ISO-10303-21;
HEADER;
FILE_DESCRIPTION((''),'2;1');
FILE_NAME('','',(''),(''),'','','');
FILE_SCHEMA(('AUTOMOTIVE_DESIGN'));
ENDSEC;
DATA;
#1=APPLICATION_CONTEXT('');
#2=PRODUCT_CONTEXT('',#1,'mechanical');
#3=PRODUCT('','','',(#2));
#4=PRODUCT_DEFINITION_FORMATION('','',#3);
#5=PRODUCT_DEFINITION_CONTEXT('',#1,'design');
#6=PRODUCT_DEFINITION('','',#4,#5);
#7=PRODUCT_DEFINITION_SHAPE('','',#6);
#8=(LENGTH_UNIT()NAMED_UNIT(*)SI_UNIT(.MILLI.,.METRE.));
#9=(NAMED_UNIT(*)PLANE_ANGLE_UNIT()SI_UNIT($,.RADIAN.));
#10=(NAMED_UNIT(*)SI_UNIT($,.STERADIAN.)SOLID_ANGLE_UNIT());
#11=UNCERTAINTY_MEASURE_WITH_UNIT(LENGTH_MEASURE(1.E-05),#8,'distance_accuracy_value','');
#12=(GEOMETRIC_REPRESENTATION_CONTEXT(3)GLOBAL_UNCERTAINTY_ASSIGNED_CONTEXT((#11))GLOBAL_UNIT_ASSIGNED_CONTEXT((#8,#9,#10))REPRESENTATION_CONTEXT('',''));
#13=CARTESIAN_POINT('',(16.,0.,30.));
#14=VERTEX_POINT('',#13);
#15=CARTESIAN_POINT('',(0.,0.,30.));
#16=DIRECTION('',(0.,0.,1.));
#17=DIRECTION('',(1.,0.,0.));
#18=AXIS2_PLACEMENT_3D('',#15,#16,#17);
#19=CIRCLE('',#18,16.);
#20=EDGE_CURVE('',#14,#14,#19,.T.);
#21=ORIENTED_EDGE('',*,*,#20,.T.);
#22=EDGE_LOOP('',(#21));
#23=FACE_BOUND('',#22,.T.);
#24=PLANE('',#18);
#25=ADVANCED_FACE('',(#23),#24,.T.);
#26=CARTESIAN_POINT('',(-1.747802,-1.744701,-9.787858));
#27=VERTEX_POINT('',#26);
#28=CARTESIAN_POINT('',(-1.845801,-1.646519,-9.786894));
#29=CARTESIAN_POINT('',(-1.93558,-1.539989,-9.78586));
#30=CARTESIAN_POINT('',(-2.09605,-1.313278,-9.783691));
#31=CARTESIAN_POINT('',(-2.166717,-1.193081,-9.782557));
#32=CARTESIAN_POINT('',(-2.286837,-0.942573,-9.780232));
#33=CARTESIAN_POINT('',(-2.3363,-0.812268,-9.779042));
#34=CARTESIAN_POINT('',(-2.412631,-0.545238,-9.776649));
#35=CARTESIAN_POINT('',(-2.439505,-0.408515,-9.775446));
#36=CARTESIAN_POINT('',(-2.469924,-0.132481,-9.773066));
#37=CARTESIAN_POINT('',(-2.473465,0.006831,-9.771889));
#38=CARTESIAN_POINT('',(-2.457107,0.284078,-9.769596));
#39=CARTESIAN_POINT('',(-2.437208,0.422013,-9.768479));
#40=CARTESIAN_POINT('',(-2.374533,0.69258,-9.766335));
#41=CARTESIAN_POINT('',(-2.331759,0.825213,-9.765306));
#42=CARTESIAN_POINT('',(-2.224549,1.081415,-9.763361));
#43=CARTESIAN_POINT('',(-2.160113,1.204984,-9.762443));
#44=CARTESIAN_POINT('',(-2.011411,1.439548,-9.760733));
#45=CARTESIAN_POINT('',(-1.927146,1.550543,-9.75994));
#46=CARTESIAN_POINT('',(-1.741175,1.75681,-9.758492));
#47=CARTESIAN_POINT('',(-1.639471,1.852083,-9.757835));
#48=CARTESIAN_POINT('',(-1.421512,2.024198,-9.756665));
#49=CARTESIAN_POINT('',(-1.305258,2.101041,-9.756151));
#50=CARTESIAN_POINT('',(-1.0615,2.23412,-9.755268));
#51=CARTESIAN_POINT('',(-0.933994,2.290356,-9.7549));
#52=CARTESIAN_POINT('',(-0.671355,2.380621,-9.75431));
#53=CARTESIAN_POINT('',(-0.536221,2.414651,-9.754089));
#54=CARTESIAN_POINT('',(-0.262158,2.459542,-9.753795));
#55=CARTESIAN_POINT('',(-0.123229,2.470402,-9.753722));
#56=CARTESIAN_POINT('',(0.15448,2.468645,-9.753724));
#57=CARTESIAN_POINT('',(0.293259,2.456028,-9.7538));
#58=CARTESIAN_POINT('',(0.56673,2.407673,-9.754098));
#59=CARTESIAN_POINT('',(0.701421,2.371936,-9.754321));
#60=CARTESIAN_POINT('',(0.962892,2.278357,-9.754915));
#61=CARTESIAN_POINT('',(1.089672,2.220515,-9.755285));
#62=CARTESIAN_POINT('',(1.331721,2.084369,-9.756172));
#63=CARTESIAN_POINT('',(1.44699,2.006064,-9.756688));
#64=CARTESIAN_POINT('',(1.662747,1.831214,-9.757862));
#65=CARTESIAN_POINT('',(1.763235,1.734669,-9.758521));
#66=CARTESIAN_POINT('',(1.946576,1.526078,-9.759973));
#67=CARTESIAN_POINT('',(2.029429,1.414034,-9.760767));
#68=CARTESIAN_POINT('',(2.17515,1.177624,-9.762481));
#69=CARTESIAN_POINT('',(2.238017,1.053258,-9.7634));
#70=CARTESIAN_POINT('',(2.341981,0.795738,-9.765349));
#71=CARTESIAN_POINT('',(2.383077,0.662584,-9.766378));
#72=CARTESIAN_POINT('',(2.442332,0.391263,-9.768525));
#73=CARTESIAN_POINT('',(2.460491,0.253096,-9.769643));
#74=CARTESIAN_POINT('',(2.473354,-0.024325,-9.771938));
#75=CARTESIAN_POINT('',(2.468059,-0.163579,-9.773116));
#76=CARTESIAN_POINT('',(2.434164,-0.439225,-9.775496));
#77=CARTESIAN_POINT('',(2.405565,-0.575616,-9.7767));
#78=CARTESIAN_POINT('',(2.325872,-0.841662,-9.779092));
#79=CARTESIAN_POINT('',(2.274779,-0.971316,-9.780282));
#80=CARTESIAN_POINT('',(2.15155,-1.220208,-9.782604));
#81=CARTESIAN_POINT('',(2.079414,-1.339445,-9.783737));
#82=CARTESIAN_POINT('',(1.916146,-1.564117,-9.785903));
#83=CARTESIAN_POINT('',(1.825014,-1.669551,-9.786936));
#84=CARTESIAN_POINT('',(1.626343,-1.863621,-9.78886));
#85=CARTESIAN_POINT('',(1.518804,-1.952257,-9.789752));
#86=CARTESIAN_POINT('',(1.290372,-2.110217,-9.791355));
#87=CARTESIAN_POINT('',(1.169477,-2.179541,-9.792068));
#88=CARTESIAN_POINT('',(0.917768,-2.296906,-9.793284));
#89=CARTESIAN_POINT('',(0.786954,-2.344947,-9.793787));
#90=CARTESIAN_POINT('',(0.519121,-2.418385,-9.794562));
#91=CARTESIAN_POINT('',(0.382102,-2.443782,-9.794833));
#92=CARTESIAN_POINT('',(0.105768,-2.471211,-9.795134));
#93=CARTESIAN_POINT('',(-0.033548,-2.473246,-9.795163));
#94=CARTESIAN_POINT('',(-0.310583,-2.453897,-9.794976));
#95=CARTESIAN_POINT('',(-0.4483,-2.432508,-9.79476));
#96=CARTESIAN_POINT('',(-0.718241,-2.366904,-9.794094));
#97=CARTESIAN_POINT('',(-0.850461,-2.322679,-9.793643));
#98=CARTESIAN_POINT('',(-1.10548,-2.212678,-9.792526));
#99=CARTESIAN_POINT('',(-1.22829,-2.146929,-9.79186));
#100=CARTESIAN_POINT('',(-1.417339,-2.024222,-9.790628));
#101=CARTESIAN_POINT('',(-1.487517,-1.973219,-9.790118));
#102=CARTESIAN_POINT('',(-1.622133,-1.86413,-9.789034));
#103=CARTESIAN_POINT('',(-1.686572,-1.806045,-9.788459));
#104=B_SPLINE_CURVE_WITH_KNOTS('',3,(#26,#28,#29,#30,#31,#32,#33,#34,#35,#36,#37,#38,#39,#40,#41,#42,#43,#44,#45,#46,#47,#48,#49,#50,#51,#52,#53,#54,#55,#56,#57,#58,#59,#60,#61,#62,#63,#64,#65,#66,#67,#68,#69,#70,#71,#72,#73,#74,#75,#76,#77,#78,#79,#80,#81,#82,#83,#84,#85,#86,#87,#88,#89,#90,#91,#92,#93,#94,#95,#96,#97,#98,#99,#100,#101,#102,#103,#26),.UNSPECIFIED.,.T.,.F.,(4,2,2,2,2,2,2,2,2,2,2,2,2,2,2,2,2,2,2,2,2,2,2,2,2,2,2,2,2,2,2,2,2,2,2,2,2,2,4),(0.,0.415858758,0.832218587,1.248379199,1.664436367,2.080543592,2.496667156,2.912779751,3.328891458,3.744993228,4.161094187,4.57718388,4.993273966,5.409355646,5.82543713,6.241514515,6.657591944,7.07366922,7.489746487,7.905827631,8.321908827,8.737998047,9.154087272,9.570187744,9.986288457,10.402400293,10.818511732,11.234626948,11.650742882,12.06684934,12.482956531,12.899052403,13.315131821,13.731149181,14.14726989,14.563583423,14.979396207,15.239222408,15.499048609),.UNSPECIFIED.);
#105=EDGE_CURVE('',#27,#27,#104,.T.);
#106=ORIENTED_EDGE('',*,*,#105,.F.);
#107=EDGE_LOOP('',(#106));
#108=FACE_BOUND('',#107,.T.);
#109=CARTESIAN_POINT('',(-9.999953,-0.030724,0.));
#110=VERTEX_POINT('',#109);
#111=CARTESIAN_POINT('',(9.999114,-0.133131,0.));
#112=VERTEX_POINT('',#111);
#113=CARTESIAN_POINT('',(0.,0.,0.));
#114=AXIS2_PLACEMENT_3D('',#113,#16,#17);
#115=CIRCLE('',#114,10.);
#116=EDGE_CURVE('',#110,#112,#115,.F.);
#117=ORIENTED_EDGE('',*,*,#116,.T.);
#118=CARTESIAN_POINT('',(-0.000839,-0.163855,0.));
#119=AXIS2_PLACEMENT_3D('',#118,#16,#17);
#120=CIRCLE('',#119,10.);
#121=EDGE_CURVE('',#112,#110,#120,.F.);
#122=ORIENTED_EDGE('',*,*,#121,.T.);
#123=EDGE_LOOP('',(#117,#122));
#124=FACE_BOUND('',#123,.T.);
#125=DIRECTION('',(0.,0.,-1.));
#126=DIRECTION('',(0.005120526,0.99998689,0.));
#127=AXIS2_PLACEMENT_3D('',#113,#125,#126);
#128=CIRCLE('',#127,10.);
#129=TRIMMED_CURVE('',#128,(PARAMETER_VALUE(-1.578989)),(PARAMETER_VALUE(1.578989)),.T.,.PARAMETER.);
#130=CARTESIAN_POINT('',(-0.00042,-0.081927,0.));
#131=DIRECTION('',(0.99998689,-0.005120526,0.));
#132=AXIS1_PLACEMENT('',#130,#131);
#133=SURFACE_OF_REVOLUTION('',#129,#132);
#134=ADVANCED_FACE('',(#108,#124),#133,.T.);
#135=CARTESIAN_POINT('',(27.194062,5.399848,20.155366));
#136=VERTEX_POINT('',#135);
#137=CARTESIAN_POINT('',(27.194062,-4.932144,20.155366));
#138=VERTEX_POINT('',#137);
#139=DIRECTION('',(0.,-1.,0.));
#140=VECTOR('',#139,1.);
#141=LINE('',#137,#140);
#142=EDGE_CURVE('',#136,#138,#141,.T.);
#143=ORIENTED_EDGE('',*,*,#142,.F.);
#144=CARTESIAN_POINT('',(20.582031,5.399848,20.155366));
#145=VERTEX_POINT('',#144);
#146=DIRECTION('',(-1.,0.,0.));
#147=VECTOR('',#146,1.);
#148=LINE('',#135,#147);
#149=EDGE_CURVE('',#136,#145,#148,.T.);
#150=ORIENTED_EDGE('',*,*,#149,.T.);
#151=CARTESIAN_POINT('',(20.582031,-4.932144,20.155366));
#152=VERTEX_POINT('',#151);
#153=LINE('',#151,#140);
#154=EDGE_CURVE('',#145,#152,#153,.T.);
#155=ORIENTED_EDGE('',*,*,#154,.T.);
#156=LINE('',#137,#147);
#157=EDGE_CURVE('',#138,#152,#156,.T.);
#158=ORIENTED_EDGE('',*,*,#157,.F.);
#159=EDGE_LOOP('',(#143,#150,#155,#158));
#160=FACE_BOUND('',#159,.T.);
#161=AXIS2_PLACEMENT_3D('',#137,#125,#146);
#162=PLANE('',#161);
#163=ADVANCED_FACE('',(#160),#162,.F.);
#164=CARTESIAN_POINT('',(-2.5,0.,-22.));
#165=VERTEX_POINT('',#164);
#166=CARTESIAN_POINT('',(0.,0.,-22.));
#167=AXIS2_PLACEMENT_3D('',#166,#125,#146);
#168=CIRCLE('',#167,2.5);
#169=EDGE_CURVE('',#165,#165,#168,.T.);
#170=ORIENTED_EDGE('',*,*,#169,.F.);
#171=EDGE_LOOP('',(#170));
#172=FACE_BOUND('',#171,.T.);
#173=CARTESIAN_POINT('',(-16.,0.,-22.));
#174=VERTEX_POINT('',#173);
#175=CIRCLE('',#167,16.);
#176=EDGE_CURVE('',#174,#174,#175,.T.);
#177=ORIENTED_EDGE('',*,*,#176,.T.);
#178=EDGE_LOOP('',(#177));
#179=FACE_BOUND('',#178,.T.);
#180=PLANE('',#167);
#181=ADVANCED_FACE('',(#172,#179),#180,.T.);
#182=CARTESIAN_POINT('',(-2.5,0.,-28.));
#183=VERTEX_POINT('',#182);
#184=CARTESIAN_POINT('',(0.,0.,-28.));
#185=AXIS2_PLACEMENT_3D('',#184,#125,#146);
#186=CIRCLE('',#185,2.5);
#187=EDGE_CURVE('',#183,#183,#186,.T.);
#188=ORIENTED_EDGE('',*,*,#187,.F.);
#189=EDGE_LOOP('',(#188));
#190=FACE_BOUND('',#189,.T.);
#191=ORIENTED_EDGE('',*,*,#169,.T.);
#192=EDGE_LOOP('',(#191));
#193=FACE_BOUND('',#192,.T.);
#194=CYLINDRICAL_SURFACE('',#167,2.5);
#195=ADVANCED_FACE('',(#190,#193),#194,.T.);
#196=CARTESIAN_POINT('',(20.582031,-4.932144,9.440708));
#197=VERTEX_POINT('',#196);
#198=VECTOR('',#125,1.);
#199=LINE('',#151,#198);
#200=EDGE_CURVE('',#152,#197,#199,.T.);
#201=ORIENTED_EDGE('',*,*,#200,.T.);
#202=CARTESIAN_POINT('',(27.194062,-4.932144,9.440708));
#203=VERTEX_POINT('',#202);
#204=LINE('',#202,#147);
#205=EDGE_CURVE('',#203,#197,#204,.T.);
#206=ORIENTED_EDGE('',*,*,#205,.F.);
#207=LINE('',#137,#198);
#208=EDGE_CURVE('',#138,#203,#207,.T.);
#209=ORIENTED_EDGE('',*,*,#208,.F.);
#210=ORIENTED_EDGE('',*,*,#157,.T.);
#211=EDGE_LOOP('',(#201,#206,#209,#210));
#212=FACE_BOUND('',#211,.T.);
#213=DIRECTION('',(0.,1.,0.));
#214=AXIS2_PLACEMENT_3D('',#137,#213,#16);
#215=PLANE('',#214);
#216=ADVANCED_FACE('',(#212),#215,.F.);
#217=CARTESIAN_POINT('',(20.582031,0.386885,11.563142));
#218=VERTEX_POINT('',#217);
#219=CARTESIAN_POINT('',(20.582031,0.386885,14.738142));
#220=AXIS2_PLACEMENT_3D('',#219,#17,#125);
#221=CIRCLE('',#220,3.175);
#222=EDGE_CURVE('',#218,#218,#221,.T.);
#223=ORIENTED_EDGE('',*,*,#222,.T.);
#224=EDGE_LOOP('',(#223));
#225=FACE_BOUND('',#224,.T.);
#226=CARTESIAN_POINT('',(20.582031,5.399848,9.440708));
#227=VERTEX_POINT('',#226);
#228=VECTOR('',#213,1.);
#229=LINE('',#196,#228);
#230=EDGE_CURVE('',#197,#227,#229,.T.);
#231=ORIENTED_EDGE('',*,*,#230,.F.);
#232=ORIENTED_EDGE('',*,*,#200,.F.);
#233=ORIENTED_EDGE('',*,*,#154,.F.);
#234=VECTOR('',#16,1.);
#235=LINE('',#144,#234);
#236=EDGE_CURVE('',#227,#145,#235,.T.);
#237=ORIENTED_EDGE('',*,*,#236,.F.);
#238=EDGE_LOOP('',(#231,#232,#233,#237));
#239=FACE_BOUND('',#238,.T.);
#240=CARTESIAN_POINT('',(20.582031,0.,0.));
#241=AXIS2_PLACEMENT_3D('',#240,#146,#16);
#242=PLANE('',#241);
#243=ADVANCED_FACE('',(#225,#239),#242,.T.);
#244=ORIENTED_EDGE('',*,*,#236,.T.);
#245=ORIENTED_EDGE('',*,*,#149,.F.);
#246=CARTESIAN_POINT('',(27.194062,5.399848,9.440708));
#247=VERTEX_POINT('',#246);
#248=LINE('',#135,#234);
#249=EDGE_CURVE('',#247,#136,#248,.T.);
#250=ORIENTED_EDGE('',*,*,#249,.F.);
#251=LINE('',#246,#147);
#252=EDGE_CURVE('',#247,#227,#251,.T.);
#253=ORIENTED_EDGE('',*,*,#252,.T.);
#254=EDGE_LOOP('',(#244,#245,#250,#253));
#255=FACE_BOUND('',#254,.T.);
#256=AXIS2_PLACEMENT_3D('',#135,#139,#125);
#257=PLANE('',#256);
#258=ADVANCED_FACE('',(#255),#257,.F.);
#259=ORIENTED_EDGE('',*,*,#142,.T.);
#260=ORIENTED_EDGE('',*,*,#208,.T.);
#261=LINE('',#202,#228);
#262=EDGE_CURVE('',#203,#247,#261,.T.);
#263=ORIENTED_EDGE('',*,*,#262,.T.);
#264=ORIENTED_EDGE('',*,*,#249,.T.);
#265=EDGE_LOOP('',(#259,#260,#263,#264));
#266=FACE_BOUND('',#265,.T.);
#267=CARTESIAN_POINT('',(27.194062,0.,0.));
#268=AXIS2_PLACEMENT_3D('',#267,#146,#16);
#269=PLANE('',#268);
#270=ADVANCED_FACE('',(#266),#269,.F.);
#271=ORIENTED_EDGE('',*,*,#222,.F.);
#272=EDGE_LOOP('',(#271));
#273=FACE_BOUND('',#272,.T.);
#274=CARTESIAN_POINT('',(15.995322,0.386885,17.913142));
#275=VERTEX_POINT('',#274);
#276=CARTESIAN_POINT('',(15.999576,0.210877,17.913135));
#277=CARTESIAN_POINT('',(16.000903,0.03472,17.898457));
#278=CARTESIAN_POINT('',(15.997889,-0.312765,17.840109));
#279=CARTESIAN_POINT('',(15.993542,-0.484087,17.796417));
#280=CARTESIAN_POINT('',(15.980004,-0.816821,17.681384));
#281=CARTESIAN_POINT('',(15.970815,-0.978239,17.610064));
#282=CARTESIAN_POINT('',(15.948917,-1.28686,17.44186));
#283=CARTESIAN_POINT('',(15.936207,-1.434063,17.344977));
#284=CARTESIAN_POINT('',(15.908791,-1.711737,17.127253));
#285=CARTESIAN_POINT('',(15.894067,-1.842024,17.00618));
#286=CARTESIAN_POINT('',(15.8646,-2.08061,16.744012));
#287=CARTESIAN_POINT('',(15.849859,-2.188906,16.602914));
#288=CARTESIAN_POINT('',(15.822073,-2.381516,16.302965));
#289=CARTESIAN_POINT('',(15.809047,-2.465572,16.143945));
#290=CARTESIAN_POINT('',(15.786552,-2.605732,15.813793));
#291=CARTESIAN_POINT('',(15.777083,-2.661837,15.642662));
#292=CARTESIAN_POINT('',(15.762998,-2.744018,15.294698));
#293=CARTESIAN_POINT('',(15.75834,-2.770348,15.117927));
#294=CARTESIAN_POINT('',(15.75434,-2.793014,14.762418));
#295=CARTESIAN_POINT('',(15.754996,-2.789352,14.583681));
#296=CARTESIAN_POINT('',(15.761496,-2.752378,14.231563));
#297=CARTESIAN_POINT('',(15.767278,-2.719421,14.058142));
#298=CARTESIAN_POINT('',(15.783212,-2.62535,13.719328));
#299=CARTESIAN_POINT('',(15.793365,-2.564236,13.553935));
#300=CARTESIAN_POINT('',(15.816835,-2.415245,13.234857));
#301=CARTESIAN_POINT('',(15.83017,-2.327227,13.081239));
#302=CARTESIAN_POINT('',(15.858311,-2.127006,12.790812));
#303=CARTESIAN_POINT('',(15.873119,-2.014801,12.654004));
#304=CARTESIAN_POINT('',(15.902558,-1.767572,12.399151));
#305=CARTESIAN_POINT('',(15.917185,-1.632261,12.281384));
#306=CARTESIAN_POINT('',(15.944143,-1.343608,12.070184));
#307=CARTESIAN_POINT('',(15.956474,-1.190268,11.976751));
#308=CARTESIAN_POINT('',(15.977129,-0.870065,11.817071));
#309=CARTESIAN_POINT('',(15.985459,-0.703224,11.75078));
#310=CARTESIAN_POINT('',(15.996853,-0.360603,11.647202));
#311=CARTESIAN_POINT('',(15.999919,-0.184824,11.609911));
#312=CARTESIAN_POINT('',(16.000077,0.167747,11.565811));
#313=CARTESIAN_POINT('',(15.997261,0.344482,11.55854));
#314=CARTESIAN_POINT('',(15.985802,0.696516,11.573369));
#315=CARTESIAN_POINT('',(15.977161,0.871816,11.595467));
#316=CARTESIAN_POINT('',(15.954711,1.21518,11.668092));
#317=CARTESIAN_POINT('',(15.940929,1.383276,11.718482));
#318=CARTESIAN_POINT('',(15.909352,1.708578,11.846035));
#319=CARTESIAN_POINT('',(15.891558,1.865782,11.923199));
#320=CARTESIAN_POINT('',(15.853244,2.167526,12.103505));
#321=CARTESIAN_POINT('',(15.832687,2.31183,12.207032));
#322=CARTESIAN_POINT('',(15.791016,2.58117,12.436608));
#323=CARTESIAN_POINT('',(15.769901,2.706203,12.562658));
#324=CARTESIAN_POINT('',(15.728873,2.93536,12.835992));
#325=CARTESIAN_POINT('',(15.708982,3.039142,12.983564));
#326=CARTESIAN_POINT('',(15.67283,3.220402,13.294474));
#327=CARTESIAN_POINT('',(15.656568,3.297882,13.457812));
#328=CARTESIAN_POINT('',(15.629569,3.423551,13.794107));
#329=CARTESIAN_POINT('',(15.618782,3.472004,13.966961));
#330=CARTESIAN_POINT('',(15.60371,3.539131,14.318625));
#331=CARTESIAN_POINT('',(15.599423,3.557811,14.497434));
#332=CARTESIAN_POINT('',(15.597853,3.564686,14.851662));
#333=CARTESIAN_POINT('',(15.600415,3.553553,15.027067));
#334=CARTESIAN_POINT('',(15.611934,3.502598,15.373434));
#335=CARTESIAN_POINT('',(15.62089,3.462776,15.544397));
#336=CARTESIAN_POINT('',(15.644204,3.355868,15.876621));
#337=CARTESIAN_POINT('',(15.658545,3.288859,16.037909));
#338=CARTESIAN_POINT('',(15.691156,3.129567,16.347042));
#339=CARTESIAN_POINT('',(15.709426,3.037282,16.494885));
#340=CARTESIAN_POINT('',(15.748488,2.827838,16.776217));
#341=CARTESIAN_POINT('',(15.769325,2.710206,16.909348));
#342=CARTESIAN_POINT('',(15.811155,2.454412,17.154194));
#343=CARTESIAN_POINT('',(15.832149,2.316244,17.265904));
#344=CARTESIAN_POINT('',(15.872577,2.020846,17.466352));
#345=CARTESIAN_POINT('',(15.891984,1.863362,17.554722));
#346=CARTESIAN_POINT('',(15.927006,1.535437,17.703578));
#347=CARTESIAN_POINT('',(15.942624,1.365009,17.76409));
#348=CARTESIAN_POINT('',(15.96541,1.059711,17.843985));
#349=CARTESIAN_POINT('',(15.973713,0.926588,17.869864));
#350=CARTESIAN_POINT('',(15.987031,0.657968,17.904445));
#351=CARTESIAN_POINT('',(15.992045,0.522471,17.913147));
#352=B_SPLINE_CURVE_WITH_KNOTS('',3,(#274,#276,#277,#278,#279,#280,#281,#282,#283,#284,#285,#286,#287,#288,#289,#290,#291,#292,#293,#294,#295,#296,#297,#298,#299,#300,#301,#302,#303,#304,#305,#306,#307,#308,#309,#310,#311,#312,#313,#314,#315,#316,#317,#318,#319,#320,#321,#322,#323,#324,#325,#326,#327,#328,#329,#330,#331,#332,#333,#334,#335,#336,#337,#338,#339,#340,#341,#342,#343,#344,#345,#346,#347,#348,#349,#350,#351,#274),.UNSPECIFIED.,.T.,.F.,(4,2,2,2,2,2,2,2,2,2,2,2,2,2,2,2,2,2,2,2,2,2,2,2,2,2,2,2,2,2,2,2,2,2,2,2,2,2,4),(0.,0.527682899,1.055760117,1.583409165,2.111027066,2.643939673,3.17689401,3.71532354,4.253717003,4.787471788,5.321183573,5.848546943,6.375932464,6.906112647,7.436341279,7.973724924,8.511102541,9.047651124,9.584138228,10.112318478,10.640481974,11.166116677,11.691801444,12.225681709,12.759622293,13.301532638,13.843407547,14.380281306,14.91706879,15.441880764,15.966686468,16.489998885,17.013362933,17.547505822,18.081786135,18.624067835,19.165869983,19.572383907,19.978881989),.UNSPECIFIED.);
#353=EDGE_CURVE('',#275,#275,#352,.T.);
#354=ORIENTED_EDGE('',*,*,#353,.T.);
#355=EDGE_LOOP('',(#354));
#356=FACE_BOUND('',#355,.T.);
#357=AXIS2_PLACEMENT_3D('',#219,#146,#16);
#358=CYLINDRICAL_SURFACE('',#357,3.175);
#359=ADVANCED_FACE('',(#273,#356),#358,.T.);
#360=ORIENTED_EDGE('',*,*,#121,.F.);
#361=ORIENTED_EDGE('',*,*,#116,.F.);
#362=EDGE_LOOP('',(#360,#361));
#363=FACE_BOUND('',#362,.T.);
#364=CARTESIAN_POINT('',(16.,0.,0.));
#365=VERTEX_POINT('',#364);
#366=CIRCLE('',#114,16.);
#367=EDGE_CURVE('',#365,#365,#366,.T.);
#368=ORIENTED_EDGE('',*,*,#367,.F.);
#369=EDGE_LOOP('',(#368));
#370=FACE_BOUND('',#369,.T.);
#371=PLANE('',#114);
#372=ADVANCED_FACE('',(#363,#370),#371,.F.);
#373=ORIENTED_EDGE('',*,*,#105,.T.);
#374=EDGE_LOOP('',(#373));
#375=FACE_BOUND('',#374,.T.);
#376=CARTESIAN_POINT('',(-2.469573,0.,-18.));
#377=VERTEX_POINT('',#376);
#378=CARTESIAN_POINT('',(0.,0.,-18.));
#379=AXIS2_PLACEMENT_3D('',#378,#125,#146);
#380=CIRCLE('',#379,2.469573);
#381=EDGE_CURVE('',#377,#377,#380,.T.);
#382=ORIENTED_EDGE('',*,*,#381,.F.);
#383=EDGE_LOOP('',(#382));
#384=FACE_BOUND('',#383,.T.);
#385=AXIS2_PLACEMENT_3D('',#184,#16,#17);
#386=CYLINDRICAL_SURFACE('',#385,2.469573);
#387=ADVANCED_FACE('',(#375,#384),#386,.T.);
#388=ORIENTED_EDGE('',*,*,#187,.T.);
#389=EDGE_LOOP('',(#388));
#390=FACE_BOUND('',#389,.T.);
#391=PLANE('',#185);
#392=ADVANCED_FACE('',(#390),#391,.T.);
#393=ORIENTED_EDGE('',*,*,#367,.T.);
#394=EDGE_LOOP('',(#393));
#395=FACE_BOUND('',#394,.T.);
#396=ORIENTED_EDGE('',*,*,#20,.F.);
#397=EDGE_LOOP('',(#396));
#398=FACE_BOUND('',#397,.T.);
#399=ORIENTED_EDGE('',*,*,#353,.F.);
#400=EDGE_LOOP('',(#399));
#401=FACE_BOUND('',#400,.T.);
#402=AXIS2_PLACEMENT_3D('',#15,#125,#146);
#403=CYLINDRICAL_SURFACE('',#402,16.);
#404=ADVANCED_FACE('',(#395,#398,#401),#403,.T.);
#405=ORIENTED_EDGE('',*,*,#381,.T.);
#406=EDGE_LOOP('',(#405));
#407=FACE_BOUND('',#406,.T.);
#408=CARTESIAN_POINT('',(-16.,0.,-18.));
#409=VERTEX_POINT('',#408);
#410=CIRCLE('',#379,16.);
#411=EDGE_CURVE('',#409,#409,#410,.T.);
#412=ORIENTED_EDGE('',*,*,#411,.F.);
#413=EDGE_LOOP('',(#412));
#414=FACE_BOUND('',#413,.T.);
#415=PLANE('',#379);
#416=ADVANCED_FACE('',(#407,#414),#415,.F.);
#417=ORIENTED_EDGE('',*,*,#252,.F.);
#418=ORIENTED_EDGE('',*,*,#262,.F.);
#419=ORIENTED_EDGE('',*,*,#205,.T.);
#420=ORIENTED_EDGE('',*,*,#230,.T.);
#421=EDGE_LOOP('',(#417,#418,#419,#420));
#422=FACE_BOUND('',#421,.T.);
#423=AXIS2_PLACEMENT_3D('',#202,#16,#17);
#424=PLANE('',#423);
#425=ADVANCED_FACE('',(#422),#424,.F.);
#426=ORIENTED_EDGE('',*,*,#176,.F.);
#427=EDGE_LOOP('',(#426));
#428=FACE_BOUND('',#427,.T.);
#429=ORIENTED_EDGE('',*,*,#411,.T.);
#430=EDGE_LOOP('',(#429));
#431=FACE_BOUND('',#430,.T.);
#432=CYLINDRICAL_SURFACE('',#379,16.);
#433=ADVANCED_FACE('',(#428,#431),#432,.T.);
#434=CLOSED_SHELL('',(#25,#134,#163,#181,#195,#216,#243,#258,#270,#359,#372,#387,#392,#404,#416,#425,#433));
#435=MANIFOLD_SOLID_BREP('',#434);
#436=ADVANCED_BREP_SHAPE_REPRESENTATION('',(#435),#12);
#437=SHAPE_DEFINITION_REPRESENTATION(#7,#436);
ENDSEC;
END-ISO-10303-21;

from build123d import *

# Parameters (mm, degrees)
SKETCH1_R               = 16
BOSS_EXTRUDE1_DEPTH     = 30
SKETCH2_R               = 3.175
BOSS_EXTRUDE2_DEPTH     = 20.582030842
SKETCH3_W               = 10.714658548
SKETCH3_H               = 10.331992171
BOSS_EXTRUDE3_DEPTH     = 6.612030842
SKETCH5_R               = 2.469573247
BOSS_EXTRUDE4_DEPTH     = 28
SKETCH6_R               = 16
BOSS_EXTRUDE5_DEPTH     = 10
SKETCH6_2_R             = 16
SKETCH6_2_R_2           = 2.5
CUT_EXTRUDE_THIN1_DEPTH = 6


with BuildPart() as part:
    # Sketch1 → Boss-Extrude1 (new body)
    with BuildSketch(Plane.XY):
        Circle(SKETCH1_R)
    extrude(amount=BOSS_EXTRUDE1_DEPTH)

    # Sketch2 → Boss-Extrude2 (add)
    with BuildSketch(Plane(origin=(0, 0, 0), x_dir=(0, 0, -1), z_dir=(1, 0, 0))):
        with Locations((-14.73814173, 0.386884617)):
            Circle(SKETCH2_R)
    extrude(amount=BOSS_EXTRUDE2_DEPTH)

    # Sketch3 → Boss-Extrude3 (add)
    with BuildSketch(Plane(origin=(20.582030842, 0, 0), x_dir=(0, 0, -1), z_dir=(1, 0, 0))):
        with Locations((-14.79803719, 0.233851674)):
            Rectangle(SKETCH3_W, SKETCH3_H)
    extrude(amount=BOSS_EXTRUDE3_DEPTH)

    # Sketch4 → Revolve1 (revolve)
    with BuildSketch(Plane(origin=(0, 0, 0), x_dir=(-1, 0, 0), z_dir=(0, 0, -1))):
        with BuildLine():
            ThreePointArc((10, 0), (-0.066566913, 9.99977844), (-9.999113769, -0.133130877))
            Line((-9.999113769, -0.133130877), (9.999952802, -0.030723799))
            ThreePointArc((9.999952802, -0.030723799), (9.999988201, -0.015361918), (10, 0))
        make_face()
    revolve(axis=Axis((15.849507962, -0.163088364, 0), (-0.9999868900221045, 0.005120525746398906, 0)))

    # Sketch5 → Boss-Extrude4 (add)
    with BuildSketch(Plane(origin=(0, 0, 0), x_dir=(-1, 0, 0), z_dir=(0, 0, -1))):
        Circle(SKETCH5_R)
    extrude(amount=BOSS_EXTRUDE4_DEPTH)

    # Sketch6 → Boss-Extrude5 (add)
    with BuildSketch(Plane(origin=(0, 0, -28), x_dir=(-1, 0, 0), z_dir=(0, 0, -1))):
        Circle(SKETCH6_R)
    extrude(amount=-BOSS_EXTRUDE5_DEPTH)

    # Sketch6<2> → Cut-Extrude-Thin1 (cut)
    with BuildSketch(Plane(origin=(0, 0, -28), x_dir=(-1, 0, 0), z_dir=(0, 0, -1))):
        Circle(SKETCH6_2_R)
        Circle(SKETCH6_2_R_2, mode=Mode.SUBTRACT)
    extrude(amount=-CUT_EXTRUDE_THIN1_DEPTH, mode=Mode.SUBTRACT)


solid = part.part
